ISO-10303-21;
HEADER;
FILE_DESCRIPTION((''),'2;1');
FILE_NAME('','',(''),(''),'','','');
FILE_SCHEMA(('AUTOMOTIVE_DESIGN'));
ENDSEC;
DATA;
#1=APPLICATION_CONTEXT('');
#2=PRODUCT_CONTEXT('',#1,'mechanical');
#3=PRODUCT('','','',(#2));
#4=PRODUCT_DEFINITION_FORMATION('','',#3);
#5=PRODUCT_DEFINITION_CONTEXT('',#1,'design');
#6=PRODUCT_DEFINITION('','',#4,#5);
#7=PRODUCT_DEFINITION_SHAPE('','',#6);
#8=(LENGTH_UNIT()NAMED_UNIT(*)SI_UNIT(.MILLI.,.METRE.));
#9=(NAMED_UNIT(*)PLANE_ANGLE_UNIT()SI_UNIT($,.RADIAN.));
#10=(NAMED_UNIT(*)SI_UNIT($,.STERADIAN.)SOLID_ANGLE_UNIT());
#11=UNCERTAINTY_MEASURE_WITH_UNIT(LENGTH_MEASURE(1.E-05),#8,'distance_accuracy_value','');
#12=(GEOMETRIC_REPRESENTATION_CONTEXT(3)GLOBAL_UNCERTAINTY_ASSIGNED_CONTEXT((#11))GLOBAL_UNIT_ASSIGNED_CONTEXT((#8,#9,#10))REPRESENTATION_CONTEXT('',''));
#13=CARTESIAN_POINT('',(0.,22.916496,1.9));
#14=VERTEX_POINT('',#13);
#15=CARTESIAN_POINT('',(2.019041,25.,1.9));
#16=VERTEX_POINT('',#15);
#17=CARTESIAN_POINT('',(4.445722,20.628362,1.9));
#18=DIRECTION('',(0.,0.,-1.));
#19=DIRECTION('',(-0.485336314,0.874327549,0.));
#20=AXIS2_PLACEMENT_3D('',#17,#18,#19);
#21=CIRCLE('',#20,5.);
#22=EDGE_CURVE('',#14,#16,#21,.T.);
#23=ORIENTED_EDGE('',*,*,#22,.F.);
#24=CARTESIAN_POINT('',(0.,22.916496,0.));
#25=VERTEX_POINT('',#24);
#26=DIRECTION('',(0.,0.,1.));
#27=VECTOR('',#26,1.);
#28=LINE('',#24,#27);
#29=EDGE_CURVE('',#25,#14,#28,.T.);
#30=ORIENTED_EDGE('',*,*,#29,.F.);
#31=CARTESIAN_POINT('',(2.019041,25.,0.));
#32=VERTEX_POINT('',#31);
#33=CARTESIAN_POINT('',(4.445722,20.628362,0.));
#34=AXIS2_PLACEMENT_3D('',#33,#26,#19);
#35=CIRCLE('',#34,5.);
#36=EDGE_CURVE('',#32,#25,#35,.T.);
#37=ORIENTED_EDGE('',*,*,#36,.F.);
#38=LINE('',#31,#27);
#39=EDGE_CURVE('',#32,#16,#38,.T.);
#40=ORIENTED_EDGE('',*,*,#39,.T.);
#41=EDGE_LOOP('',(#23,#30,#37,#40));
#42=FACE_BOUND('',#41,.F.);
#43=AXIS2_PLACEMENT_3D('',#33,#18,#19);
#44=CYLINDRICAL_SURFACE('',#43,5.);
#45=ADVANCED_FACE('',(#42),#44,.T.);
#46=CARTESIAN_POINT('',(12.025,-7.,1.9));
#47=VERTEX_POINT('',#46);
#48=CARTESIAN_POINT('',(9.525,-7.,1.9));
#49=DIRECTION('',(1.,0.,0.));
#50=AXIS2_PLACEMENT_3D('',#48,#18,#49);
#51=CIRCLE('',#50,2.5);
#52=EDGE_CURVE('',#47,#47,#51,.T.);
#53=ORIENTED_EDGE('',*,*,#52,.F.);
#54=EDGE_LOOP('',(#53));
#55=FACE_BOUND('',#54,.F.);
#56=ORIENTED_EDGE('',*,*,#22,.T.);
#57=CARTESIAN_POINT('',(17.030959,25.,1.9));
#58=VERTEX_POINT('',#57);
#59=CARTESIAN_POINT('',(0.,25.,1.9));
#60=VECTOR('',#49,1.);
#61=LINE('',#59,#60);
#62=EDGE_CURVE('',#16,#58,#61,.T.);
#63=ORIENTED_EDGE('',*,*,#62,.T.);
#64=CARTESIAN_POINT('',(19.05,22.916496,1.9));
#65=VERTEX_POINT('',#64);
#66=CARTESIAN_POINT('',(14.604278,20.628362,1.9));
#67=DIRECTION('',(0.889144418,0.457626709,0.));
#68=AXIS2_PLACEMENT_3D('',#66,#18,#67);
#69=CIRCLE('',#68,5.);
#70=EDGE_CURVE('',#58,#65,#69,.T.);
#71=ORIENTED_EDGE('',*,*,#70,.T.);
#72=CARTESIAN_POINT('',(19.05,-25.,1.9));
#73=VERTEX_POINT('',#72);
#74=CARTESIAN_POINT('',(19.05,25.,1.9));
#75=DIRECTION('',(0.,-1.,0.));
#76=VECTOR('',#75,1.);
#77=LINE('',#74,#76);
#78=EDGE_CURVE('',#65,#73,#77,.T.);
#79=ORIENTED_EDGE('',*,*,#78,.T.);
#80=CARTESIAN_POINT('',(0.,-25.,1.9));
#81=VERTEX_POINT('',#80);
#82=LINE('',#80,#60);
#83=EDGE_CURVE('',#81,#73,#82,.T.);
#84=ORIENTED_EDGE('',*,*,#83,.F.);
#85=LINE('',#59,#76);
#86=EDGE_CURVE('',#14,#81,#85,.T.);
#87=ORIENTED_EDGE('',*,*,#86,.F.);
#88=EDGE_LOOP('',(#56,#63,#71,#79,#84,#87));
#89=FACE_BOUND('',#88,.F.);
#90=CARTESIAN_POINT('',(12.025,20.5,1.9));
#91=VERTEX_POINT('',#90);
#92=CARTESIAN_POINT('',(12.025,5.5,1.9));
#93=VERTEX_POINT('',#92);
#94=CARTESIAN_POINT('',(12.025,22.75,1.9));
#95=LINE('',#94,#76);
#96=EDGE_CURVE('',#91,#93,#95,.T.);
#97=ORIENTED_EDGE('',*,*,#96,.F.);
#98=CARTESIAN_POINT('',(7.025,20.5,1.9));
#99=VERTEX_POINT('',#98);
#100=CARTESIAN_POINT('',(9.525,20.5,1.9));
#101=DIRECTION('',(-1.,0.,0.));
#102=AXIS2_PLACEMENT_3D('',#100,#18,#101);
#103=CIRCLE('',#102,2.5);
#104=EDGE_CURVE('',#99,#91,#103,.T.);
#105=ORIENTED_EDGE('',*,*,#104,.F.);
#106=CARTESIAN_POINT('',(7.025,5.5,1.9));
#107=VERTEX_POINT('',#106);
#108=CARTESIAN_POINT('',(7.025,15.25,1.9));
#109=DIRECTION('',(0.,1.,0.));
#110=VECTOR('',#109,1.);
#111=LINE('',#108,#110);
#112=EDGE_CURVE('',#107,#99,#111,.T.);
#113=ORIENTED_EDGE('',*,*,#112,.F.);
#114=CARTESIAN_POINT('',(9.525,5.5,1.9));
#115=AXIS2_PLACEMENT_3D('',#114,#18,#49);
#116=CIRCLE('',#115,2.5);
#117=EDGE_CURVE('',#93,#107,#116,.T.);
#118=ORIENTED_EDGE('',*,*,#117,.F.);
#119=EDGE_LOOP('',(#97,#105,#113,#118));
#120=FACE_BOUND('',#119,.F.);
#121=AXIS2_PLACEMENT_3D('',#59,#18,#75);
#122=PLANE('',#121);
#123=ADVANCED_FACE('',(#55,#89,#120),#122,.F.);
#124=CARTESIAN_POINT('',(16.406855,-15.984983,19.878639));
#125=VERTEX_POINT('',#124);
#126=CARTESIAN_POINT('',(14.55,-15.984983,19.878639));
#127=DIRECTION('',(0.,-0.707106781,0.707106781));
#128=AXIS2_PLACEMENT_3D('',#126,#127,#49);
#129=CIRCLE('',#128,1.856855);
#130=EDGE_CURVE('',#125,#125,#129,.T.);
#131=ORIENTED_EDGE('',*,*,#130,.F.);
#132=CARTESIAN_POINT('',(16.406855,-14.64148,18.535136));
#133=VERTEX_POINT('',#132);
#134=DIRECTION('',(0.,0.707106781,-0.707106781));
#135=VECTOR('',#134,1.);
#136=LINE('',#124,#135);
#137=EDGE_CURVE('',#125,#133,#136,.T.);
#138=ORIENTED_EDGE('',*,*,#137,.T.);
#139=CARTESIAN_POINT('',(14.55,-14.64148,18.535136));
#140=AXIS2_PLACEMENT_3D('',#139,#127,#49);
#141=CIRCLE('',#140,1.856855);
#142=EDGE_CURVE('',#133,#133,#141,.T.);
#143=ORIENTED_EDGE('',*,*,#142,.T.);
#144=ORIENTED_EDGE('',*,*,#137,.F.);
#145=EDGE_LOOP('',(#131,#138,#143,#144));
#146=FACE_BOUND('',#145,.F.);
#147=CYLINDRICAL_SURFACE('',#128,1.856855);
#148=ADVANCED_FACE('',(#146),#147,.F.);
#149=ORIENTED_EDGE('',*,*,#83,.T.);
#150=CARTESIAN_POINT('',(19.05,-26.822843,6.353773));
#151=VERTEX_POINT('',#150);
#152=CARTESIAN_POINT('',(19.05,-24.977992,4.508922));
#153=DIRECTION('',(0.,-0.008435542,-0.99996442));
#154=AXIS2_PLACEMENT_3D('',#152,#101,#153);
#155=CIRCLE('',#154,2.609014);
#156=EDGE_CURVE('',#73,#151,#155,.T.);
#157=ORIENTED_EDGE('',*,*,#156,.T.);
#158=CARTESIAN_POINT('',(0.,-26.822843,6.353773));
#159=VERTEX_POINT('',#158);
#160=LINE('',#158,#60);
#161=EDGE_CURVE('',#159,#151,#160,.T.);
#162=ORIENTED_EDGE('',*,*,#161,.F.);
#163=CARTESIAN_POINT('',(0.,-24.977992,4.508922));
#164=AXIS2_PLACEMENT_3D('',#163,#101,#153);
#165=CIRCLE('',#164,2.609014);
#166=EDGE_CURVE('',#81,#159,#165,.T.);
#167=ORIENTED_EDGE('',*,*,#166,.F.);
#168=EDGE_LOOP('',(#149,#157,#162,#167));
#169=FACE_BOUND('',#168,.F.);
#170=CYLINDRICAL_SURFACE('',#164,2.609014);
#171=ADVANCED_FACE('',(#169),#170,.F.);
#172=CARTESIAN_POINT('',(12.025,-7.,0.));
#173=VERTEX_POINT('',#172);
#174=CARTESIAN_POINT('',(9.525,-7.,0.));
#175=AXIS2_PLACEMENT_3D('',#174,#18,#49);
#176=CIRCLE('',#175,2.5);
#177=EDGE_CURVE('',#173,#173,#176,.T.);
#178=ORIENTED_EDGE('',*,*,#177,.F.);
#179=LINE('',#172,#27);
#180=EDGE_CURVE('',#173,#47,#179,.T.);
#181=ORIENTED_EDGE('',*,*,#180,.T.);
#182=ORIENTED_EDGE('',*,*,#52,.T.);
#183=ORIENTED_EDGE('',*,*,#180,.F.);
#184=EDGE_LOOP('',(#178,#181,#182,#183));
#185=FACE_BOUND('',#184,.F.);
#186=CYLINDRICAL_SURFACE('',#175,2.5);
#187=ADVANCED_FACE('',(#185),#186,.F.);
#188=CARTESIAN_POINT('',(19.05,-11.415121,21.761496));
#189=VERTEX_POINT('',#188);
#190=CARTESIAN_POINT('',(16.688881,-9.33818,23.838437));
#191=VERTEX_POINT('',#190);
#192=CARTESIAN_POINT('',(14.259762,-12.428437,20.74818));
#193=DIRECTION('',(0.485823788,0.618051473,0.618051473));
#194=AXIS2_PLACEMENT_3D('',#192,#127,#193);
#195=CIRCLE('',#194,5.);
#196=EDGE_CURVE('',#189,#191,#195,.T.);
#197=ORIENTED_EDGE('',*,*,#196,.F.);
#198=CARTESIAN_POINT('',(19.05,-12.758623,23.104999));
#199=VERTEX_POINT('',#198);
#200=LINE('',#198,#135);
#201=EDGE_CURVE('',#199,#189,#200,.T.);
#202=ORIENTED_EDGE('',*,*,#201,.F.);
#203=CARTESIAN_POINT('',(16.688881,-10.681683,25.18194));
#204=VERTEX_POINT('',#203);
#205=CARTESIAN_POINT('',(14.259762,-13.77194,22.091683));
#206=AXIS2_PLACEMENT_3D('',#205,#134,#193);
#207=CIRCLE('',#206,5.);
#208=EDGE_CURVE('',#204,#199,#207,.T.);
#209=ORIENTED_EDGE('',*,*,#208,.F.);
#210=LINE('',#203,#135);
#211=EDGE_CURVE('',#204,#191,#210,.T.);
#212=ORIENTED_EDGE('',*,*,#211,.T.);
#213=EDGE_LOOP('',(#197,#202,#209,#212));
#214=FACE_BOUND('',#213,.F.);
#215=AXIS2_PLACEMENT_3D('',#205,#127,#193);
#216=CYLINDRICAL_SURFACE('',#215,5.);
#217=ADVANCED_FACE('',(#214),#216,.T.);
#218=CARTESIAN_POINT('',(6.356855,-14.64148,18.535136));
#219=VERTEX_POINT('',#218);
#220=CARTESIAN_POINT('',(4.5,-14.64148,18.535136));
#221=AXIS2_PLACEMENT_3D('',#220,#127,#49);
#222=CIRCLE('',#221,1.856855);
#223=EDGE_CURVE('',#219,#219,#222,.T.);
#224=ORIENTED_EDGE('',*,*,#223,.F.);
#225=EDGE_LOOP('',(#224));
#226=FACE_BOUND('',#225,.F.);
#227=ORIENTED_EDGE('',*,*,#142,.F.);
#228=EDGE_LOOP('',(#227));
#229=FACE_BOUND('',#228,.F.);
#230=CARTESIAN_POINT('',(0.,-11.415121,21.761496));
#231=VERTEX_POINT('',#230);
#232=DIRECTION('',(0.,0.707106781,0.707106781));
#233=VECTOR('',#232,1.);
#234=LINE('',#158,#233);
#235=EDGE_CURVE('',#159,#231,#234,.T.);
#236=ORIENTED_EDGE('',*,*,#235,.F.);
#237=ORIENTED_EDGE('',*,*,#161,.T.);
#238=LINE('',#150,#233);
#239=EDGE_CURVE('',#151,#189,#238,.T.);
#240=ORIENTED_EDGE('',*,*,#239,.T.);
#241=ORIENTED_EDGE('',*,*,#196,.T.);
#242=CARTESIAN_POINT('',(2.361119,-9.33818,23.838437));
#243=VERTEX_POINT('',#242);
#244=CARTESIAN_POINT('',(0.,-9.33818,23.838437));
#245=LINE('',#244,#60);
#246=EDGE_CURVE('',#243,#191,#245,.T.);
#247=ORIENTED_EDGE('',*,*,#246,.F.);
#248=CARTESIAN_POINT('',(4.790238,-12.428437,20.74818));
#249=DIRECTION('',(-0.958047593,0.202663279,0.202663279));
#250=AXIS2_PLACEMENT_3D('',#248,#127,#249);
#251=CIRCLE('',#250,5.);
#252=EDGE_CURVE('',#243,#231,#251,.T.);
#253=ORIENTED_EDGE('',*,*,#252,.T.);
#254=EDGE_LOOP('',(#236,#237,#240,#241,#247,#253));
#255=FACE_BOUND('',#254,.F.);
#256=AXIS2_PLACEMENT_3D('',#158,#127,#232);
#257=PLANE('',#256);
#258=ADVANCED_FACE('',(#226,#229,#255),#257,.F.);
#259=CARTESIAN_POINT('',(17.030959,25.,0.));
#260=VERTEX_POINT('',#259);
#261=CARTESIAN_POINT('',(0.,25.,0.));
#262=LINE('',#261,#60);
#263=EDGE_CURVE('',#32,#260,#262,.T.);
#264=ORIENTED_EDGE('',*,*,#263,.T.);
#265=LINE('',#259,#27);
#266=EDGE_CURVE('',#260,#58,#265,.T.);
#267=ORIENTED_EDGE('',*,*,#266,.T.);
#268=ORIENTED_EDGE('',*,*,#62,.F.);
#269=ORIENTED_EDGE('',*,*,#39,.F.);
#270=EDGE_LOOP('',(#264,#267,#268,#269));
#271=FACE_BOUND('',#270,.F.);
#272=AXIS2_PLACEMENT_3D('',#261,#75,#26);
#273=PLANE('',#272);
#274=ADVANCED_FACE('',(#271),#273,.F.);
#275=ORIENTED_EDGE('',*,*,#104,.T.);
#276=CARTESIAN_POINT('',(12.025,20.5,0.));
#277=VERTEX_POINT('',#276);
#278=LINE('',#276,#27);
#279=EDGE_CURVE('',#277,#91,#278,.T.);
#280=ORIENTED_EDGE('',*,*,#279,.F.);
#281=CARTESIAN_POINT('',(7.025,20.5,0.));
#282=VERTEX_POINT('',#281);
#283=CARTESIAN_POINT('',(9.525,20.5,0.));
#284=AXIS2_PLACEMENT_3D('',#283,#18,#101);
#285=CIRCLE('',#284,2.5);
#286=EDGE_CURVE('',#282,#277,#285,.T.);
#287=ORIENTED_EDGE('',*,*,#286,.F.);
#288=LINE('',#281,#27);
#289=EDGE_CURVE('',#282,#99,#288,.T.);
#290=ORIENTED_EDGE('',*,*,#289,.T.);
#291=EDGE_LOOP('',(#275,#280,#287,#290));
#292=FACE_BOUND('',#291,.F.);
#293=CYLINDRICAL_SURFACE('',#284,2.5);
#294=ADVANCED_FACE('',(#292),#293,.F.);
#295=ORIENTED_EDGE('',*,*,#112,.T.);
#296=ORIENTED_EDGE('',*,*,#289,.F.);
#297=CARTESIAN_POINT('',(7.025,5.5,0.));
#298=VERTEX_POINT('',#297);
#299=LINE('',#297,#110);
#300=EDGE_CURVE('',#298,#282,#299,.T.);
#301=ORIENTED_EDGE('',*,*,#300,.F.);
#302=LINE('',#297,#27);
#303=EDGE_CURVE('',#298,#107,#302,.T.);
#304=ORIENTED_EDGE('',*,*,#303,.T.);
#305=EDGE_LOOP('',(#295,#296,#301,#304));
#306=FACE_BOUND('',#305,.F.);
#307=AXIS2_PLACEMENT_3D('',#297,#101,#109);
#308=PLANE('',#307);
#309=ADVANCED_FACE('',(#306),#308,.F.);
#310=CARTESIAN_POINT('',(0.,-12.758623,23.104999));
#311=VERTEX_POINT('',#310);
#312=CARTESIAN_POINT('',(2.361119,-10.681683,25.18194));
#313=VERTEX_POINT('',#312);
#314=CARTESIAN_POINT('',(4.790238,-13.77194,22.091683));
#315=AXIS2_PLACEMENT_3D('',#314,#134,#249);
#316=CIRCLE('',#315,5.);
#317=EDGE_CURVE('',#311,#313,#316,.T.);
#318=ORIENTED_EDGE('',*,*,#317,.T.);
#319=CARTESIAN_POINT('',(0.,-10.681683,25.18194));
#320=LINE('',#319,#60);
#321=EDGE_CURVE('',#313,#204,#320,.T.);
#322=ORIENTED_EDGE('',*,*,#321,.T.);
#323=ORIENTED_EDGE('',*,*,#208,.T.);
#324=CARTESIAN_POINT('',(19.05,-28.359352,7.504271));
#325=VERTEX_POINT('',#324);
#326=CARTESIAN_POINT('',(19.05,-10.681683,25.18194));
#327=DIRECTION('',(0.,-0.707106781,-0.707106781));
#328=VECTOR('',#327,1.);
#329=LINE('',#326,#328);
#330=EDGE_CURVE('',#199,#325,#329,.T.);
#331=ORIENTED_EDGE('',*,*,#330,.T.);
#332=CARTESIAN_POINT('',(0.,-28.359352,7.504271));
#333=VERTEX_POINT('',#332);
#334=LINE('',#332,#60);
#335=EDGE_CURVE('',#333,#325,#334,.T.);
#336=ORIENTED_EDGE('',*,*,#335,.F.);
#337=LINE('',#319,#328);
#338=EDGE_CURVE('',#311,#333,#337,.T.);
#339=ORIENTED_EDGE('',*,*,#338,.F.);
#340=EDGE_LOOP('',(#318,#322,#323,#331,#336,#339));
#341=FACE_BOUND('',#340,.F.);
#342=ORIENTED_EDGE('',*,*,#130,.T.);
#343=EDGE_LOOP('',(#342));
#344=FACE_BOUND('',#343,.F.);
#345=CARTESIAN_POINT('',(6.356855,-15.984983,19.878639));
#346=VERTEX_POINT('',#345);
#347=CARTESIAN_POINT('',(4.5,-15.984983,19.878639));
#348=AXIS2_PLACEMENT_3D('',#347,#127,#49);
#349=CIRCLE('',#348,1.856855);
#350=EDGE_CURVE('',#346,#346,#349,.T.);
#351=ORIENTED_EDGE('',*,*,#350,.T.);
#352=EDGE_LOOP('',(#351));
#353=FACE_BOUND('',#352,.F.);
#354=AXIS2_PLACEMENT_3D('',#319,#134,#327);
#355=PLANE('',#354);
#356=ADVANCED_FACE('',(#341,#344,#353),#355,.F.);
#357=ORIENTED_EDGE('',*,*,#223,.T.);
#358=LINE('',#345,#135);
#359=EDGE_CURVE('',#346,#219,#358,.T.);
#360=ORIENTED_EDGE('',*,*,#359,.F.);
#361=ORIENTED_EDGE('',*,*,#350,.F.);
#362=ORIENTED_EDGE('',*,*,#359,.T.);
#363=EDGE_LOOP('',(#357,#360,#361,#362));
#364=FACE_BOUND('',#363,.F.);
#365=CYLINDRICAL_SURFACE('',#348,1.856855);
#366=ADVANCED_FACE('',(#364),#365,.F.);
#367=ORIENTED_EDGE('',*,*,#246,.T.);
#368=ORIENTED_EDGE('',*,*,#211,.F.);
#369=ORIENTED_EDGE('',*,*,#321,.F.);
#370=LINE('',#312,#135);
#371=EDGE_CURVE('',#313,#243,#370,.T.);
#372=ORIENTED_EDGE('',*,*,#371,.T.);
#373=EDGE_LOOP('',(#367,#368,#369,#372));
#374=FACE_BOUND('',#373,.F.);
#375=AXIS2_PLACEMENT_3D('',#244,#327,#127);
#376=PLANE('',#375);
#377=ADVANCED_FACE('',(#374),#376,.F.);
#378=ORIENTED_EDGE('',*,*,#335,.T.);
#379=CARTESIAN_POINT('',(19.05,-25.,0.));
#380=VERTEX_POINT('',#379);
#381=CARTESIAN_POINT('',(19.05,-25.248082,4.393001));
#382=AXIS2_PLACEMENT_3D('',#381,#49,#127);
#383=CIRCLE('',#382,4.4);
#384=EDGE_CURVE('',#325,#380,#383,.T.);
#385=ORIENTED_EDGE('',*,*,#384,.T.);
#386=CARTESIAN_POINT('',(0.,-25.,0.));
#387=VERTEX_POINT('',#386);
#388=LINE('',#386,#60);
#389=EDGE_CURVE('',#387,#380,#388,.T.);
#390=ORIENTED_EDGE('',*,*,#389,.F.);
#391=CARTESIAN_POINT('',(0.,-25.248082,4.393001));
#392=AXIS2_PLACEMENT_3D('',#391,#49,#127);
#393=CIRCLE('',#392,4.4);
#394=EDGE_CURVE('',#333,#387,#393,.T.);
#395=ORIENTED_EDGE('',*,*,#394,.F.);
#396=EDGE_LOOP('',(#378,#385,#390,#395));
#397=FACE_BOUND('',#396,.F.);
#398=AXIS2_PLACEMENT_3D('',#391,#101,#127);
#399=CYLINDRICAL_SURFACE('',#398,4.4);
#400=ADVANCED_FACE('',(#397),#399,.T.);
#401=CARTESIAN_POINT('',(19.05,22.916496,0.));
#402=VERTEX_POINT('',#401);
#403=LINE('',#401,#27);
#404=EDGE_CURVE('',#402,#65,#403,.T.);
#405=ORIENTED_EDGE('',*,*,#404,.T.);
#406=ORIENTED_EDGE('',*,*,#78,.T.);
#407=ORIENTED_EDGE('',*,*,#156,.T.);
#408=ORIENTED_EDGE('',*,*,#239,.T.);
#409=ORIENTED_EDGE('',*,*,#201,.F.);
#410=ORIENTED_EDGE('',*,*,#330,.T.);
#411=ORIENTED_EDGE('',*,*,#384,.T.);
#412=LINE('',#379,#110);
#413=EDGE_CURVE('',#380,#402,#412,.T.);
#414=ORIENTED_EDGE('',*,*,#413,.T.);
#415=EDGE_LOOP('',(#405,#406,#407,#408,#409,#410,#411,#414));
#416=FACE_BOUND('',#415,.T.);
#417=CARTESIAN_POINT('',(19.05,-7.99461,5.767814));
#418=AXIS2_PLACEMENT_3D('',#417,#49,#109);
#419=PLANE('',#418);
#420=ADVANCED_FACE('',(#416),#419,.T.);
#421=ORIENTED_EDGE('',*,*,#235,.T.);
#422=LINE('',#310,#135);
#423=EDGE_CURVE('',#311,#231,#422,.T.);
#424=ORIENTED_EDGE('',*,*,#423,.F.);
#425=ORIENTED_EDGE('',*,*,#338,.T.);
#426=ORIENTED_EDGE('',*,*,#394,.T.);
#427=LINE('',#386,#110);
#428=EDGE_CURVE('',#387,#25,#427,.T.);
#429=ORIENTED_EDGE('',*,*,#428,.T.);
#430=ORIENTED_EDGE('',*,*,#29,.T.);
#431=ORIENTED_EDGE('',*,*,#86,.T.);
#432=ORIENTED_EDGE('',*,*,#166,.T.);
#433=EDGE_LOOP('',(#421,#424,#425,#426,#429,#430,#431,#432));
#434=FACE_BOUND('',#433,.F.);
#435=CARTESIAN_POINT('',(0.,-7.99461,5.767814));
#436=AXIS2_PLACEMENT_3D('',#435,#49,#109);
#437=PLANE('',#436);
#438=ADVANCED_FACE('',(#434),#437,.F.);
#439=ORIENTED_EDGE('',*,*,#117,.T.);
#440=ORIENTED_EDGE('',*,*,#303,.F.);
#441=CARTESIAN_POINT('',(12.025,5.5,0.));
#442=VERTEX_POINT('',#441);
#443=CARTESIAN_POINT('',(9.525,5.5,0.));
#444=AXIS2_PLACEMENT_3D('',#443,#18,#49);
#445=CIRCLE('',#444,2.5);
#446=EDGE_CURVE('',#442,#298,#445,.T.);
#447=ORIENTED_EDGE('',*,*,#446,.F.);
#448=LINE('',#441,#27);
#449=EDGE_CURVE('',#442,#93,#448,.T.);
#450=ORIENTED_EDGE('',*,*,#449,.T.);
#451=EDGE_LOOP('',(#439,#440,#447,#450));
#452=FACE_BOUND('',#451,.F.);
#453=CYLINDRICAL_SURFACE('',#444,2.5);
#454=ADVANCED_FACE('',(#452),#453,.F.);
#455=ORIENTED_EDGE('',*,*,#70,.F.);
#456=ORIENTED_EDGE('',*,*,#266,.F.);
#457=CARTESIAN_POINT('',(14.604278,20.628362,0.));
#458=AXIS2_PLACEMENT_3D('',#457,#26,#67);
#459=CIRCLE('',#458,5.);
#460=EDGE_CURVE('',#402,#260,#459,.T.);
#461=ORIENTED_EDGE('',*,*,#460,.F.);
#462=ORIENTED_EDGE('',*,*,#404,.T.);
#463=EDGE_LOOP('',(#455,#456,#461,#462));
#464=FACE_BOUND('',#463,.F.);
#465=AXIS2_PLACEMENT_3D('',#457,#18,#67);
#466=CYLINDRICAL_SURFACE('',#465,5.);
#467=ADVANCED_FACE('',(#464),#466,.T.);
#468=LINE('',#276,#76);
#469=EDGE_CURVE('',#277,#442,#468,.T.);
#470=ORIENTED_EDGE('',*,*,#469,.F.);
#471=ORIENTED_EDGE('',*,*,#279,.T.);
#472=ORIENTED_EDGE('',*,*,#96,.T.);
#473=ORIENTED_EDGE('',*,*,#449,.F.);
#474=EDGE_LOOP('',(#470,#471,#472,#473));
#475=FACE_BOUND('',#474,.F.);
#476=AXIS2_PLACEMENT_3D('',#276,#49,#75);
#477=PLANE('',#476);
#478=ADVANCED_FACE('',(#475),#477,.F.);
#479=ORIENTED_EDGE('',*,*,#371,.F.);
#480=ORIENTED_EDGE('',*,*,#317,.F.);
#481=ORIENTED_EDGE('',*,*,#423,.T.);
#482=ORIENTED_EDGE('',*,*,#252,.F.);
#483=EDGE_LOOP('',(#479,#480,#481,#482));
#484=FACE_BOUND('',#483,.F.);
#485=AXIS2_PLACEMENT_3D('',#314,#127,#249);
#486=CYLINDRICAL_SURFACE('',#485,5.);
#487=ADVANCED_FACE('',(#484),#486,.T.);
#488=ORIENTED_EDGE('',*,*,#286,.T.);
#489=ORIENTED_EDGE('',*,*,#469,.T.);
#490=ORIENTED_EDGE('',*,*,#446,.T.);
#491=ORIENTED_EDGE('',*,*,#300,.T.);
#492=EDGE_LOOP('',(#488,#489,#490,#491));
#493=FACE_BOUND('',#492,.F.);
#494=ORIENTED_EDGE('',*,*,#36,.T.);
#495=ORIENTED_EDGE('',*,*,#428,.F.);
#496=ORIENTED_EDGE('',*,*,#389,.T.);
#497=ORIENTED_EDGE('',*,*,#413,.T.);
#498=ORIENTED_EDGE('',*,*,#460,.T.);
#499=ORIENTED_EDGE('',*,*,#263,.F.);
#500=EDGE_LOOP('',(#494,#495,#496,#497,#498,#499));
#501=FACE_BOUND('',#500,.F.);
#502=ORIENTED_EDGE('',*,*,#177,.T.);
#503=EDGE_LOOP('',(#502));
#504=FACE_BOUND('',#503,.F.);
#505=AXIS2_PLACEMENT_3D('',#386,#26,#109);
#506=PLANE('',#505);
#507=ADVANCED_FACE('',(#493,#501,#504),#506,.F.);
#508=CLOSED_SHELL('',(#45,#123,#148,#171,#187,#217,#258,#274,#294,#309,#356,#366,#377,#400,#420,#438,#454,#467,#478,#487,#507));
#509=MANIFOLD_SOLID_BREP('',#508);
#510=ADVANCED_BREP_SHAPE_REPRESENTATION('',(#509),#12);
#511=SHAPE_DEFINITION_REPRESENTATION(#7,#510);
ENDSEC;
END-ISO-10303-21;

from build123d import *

# Parameters (mm, degrees)
F1_DEPTH = 19.05
F2_R     = 2.5
F3_DEPTH = 22
F5_DEPTH = 25
F7_DEPTH = 5
F8_R     = 1.8568549072
F9_DEPTH = 5


with BuildPart() as f1:
    # F0 (on Right) → F1 (new body)
    with BuildSketch(Plane.YZ):
        with BuildLine():
            Line((25, 0), (25, 1.9))
            Line((25, 1.9), (-25, 1.9))
            ThreePointArc((-25, 1.9), (-27.3925963531, 3.5206705817), (-26.8228433758, 6.3537734721))
            Line((-26.8228433758, 6.3537734721), (-9.338179633, 23.8384372149))
            Line((-9.338179633, 23.8384372149), (-10.6816825172, 25.1819400992))
            Line((-10.6816825172, 25.1819400992), (-28.3593520469, 7.5042705695))
            ThreePointArc((-28.3593520469, 7.5042705695), (-29.2640479302, 2.5952189514), (-25.0000004369, 0))
            Line((-25.0000004369, 0), (25, 0))
        make_face()
    extrude(amount=F1_DEPTH)

    # F2 (on face) → F3 (cut)
    with BuildSketch(Plane(origin=(0, 0, 0), x_dir=(1, 0, 0), z_dir=(0, 0, -1))):
        with BuildLine():
            Line((7.025, -5.5), (7.025, -20.5))
            ThreePointArc((7.025, -20.5), (9.525, -23), (12.025, -20.5))
            Line((12.025, -20.5), (12.025, -5.5))
            ThreePointArc((12.025, -5.5), (9.525, -3), (7.025, -5.5))
        make_face()
        with Locations((9.525, 7)):
            Circle(F2_R)
    extrude(amount=-F3_DEPTH, mode=Mode.SUBTRACT)

    # F4 (on face) → F5 (cut)
    with BuildSketch(Plane(origin=(0, 0, 0), x_dir=(1, 0, 0), z_dir=(0, 0, -1))):
        with BuildLine():
            ThreePointArc((2.0190405194, -25), (0.8550772375, -24.1079124506), (0, -22.9164958))
            Line((0, -22.9164958), (0, -25))
            Line((0, -25), (2.0190405194, -25))
        make_face()
        with BuildLine():
            ThreePointArc((19.05, -22.9164958), (18.1949227625, -24.1079124506), (17.0309594806, -25))
            Line((17.0309594806, -25), (19.05, -25))
            Line((19.05, -25), (19.05, -22.9164958))
        make_face()
    extrude(amount=-F5_DEPTH, mode=Mode.SUBTRACT)

    # F6 (on face) → F7 (cut)
    with BuildSketch(Plane(origin=(0, -17.9318113082, 17.9318113082), x_dir=(1, 0, 0), z_dir=(0, -0.7071067812, 0.7071067812))):
        with BuildLine():
            ThreePointArc((0, 7.3159923777), (0.8932364996, 9.0155780009), (2.3611190263, 10.2532304652))
            Line((2.3611190263, 10.2532304652), (0, 10.2532304652))
            Line((0, 10.2532304652), (0, 7.3159923777))
        make_face()
        with BuildLine():
            Line((19.05, 10.2532304652), (16.6888809737, 10.2532304652))
            ThreePointArc((16.6888809737, 10.2532304652), (18.1567635004, 9.0155780009), (19.05, 7.3159923777))
            Line((19.05, 7.3159923777), (19.05, 10.2532304652))
        make_face()
    extrude(amount=-F7_DEPTH, mode=Mode.SUBTRACT)

    # F8 (on face) → F9 (cut)
    with BuildSketch(Plane(origin=(0, -17.9318113082, 17.9318113082), x_dir=(1, 0, 0), z_dir=(0, -0.7071067812, 0.7071067812))):
        with Locations((4.5, 2.7532304652)):
            Circle(F8_R)
        with Locations((14.55, 2.7532304652)):
            Circle(F8_R)
    extrude(amount=-F9_DEPTH, mode=Mode.SUBTRACT)


solid = f1.part
